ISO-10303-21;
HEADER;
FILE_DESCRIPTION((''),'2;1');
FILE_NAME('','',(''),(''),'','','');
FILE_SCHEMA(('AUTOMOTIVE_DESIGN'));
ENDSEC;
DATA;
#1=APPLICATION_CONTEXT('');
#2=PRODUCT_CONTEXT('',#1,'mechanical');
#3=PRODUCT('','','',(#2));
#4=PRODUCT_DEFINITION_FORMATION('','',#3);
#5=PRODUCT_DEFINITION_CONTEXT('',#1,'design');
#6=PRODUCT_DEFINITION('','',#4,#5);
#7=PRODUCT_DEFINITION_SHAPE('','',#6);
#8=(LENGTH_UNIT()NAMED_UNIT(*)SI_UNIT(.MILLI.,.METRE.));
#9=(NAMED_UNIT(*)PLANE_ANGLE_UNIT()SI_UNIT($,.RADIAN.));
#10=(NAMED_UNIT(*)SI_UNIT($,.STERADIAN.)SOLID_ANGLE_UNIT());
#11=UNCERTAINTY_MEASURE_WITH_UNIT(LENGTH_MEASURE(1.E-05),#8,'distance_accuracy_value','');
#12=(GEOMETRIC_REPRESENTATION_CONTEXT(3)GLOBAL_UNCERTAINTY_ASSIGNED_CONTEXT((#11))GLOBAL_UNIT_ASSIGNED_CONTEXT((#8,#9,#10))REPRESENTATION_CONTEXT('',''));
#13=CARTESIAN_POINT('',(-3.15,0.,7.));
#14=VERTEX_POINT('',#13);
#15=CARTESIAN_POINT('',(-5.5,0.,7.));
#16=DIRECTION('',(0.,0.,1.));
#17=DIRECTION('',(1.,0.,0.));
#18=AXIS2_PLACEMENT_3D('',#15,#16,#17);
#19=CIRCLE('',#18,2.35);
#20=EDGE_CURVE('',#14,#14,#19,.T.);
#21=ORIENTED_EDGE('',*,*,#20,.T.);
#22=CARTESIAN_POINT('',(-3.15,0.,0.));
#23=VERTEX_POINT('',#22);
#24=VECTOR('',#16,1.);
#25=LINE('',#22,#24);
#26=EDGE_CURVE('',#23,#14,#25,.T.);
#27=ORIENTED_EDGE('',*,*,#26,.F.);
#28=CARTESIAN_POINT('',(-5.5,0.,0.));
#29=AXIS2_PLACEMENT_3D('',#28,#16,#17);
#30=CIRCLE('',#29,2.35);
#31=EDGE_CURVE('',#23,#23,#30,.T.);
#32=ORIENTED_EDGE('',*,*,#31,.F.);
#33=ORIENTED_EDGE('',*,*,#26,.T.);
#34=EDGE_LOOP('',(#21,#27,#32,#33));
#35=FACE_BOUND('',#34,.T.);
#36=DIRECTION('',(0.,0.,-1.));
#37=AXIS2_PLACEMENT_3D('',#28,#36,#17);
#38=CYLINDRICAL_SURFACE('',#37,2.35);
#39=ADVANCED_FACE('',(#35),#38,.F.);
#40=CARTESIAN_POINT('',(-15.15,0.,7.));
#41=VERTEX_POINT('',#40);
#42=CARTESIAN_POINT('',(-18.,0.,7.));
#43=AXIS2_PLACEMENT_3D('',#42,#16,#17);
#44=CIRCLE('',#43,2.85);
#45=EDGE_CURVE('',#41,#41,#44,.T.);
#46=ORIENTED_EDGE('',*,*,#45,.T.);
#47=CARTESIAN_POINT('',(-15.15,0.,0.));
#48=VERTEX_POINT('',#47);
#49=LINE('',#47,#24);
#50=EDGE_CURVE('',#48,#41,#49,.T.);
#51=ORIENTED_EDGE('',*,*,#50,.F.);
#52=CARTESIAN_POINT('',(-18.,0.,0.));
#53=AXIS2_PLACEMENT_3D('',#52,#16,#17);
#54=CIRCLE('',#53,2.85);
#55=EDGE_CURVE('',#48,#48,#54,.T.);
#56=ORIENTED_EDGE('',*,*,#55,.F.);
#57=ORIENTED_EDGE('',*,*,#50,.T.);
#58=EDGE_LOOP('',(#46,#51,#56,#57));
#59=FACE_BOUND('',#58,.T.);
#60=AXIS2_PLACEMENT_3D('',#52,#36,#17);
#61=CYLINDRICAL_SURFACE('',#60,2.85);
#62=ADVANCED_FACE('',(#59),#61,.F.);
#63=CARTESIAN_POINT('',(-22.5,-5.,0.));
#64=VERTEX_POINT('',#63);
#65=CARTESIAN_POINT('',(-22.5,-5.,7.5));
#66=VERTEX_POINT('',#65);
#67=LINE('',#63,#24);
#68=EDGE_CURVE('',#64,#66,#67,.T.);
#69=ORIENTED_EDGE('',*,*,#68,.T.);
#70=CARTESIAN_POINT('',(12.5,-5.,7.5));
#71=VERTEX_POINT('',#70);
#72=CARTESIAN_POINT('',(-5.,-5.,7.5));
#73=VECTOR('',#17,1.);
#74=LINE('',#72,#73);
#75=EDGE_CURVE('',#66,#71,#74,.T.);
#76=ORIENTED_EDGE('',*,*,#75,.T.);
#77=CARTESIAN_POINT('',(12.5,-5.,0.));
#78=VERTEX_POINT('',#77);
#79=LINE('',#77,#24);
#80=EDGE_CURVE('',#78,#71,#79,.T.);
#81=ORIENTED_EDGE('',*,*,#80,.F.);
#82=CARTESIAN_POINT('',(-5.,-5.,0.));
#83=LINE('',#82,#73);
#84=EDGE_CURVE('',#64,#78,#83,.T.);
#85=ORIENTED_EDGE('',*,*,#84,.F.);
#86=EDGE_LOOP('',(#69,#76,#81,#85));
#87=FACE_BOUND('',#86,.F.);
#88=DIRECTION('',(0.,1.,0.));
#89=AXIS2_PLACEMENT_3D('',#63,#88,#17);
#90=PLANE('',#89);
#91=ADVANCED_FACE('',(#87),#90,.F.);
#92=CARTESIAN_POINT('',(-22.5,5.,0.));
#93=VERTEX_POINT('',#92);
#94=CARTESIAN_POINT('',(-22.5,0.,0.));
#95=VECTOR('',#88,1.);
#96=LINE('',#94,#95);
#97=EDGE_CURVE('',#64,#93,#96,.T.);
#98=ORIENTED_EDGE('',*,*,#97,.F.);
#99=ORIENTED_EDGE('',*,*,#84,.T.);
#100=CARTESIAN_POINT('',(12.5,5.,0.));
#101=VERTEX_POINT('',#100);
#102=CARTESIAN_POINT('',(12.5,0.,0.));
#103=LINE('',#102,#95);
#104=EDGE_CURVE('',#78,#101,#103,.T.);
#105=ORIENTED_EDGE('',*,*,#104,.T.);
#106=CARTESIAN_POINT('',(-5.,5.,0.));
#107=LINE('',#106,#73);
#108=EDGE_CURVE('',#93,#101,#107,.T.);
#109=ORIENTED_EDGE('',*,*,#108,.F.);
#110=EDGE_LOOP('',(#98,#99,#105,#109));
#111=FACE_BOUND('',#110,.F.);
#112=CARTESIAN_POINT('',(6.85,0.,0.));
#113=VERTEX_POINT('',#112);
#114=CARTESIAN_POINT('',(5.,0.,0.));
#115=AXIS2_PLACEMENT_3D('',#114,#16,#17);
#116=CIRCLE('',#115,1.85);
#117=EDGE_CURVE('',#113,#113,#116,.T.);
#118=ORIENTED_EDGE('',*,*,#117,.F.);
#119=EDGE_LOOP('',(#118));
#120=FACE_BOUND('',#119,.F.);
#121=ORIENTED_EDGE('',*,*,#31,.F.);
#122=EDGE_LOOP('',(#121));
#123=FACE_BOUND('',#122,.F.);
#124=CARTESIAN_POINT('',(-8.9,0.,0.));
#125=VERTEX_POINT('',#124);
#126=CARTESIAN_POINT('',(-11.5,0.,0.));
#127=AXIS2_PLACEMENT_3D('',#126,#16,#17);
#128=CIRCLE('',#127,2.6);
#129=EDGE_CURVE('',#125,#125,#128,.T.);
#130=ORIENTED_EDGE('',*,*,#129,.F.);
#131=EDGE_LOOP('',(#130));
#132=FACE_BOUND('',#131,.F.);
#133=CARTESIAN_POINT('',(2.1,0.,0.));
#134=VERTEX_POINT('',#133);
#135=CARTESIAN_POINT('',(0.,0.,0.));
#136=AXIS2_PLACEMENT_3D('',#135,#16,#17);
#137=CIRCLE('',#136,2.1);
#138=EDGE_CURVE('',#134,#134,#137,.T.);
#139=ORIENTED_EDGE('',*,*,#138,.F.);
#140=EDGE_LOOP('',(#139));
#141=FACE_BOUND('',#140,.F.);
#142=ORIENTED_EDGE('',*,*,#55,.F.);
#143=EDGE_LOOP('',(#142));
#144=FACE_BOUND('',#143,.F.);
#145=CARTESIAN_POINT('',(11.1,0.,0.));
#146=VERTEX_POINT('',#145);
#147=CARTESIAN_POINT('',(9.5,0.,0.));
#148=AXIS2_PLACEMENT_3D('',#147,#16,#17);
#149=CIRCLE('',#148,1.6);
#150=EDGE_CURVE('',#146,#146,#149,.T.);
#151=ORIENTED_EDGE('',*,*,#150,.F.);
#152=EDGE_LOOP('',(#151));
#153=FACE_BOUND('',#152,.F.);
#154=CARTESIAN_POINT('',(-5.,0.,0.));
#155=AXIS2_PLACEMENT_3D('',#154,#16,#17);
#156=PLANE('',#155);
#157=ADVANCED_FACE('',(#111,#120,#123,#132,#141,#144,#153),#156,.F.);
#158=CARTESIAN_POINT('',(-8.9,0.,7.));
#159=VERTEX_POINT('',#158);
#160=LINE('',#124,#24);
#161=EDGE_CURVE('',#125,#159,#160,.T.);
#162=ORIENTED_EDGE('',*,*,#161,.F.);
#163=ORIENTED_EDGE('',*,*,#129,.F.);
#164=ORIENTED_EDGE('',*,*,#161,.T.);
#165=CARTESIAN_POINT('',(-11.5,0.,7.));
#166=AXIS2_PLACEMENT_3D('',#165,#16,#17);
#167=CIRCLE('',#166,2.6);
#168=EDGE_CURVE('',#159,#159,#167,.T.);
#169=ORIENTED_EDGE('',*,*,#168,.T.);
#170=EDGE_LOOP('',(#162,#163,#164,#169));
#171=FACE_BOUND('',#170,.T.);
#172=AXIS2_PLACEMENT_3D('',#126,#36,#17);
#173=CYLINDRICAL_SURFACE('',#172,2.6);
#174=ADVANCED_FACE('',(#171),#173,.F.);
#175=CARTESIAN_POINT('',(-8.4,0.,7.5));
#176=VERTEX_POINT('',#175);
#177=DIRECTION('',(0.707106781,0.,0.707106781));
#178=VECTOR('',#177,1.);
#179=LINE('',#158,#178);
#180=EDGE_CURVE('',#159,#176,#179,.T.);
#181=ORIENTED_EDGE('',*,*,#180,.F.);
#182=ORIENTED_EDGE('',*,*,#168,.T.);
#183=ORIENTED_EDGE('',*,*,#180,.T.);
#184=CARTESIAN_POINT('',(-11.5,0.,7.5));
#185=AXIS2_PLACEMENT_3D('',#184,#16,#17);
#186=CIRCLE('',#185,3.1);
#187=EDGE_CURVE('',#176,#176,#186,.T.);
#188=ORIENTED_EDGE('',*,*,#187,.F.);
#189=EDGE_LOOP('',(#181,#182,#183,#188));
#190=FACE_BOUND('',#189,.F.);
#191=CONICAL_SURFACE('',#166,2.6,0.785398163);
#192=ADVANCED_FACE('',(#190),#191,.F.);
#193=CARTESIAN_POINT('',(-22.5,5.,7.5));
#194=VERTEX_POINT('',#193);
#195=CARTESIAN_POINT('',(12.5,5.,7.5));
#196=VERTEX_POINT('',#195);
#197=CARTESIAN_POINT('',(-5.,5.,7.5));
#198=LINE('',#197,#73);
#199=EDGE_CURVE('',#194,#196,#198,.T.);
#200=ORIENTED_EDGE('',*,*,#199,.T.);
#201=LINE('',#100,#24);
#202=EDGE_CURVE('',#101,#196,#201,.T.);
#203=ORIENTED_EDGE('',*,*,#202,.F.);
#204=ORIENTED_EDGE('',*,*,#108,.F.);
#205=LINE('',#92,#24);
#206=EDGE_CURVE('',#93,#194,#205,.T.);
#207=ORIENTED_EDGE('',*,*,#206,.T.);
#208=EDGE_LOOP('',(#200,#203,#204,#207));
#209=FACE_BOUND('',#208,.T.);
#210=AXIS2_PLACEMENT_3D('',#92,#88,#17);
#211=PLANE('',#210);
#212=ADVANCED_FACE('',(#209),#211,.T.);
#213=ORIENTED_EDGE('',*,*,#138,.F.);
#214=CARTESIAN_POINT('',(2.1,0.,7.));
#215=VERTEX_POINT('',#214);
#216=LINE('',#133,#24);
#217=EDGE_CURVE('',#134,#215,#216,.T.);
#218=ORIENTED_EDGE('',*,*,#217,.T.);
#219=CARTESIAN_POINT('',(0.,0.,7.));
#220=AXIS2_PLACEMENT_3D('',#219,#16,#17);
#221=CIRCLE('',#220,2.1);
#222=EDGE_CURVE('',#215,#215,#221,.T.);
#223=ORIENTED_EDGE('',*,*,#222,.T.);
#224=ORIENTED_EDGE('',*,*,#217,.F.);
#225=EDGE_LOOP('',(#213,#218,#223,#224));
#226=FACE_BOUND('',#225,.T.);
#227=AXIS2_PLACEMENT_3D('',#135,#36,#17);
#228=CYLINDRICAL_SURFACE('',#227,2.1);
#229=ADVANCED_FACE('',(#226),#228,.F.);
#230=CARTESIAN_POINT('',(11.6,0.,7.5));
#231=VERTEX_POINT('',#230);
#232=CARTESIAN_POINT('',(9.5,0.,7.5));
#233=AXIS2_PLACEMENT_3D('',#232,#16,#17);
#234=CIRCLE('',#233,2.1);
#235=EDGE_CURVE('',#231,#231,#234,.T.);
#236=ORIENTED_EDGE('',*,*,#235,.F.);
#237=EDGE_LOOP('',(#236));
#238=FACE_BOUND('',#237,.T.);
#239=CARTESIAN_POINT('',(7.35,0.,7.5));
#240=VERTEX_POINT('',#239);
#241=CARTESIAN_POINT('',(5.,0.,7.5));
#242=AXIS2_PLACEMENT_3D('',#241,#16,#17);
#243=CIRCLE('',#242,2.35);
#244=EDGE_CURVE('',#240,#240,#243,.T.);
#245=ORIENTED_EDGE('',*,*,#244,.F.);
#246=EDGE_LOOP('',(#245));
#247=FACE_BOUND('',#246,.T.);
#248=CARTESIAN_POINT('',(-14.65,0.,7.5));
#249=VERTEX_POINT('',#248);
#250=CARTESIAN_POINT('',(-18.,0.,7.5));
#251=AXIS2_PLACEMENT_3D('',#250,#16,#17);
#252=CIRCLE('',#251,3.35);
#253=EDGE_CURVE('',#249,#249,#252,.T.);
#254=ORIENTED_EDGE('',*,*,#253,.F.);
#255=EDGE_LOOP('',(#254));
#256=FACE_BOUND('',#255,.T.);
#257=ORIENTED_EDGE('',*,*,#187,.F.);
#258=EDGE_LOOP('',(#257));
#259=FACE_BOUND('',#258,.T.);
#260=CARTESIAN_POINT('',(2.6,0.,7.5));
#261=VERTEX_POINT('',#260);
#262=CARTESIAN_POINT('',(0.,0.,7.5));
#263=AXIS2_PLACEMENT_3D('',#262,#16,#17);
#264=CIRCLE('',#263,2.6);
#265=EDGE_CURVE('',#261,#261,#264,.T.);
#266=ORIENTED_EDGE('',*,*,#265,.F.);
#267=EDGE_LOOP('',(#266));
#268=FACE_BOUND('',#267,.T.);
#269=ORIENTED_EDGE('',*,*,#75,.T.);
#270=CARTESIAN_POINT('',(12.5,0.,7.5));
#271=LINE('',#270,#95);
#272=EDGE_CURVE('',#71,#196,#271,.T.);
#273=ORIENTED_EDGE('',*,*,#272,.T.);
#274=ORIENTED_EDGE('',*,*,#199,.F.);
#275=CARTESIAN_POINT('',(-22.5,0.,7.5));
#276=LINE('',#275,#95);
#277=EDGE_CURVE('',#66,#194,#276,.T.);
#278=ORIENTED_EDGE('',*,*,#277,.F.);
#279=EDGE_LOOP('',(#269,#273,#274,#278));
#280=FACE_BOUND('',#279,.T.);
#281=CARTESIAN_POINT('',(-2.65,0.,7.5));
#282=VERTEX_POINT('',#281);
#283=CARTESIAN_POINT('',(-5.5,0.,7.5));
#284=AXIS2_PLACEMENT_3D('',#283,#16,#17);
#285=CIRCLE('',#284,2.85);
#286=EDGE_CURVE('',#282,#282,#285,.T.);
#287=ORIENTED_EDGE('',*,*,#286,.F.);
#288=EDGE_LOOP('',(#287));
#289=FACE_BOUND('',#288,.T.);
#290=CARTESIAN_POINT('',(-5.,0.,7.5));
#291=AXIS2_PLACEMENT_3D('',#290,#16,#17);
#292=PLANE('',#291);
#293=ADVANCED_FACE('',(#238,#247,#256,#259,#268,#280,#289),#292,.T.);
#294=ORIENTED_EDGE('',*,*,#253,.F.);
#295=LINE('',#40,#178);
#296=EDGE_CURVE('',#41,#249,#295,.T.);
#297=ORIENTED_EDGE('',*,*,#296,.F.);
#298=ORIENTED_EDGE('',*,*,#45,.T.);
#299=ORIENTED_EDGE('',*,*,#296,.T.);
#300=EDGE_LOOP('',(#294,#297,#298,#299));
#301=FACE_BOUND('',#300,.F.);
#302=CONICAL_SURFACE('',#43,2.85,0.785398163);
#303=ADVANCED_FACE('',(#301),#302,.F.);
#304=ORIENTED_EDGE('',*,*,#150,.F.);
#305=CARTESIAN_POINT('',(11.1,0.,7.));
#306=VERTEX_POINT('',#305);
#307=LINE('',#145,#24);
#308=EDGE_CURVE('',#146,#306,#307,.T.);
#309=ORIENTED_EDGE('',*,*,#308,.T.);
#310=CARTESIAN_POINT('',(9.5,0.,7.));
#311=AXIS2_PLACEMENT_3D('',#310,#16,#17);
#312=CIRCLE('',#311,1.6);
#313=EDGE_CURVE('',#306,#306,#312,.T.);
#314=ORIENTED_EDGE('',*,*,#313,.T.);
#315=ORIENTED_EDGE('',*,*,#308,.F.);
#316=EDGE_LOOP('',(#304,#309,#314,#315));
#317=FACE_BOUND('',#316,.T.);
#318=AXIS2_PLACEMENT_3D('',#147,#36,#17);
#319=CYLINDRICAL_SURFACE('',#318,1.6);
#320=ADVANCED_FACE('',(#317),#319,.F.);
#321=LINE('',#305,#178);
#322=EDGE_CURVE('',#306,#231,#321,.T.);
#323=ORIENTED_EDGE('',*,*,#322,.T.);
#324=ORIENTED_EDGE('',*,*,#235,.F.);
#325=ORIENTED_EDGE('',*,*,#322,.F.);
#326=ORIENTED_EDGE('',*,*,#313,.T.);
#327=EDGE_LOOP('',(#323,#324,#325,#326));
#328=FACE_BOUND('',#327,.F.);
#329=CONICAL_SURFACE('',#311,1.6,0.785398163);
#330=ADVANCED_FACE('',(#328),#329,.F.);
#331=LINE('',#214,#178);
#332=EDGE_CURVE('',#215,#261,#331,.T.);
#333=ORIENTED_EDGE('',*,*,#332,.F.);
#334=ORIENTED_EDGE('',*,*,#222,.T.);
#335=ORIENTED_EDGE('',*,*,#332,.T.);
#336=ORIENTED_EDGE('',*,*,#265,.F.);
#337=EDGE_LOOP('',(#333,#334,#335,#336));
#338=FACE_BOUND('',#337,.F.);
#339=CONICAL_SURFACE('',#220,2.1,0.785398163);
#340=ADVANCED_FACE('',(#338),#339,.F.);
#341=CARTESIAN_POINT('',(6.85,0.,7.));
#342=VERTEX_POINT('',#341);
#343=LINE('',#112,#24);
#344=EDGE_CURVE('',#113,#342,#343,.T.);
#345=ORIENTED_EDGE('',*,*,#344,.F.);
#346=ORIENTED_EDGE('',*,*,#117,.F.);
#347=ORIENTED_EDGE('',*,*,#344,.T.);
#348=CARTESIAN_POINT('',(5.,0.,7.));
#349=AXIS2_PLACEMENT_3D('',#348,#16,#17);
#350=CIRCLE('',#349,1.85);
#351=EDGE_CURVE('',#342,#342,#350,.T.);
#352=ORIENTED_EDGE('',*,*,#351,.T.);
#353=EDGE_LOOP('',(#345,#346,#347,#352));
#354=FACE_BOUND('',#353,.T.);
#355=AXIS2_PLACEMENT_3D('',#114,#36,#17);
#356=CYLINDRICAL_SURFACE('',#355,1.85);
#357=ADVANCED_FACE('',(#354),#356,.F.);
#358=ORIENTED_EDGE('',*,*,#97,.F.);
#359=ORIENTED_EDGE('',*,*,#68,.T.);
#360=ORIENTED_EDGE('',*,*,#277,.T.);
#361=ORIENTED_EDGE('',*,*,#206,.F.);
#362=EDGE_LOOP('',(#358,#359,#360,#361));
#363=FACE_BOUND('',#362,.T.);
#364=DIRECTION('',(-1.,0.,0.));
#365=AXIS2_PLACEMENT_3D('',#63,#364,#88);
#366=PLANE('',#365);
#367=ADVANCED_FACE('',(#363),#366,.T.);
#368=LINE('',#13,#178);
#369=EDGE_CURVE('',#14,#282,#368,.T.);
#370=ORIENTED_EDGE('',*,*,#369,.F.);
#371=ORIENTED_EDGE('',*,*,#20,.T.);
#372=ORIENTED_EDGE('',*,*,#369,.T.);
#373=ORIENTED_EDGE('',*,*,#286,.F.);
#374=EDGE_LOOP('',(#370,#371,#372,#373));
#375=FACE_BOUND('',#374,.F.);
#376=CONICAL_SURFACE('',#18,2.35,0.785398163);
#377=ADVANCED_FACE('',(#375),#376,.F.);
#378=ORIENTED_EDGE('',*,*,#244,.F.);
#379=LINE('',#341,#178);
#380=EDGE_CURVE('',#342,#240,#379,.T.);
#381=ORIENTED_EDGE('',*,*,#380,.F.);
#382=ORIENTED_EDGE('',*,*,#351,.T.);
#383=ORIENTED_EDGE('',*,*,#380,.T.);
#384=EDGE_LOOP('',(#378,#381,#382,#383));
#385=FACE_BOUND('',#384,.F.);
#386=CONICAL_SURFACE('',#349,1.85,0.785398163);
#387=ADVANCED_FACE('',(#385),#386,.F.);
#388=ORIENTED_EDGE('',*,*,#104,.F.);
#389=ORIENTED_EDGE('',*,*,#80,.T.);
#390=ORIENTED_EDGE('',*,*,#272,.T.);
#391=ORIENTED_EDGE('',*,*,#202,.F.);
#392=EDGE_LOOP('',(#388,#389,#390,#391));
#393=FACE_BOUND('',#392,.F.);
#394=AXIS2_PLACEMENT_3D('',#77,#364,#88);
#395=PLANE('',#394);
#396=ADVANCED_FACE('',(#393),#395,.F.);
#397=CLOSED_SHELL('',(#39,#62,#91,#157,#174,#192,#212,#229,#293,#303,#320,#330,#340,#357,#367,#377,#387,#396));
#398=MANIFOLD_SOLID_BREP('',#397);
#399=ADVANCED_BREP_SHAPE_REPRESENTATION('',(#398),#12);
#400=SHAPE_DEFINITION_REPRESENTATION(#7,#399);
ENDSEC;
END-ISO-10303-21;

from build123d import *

# Parameters (mm, degrees)
F0_W     = 35
F0_H     = 10
F0_R     = 2.85
F0_R_2   = 2.6
F0_R_3   = 2.35
F0_R_4   = 2.1
F0_R_5   = 1.85
F0_R_6   = 1.6
F1_DEPTH = 7.5
F2_SIZE  = 0.5


with BuildPart() as f1:
    # F0 (on Top) → F1 (new body)
    with BuildSketch(Plane.XY):
        with Locations((-5, 0)):
            Rectangle(F0_W, F0_H)
        with Locations((-18, 0)):
            Circle(F0_R, mode=Mode.SUBTRACT)
        with Locations((-11.5, 0)):
            Circle(F0_R_2, mode=Mode.SUBTRACT)
        with Locations((-5.5, 0)):
            Circle(F0_R_3, mode=Mode.SUBTRACT)
        Circle(F0_R_4, mode=Mode.SUBTRACT)
        with Locations((5, 0)):
            Circle(F0_R_5, mode=Mode.SUBTRACT)
        with Locations((9.5, 0)):
            Circle(F0_R_6, mode=Mode.SUBTRACT)
    extrude(amount=F1_DEPTH)

    # F2
    f2_edges = [f1.edges().sort_by_distance(p)[0] for p in [
        (-7.85, 0, 7.5),
        (-2.1, 0, 7.5),
        (3.15, 0, 7.5),
        (-14.1, 0, 7.5),
        (-20.85, 0, 7.5),
        (7.9, 0, 7.5),
    ]]
    chamfer(f2_edges, length=F2_SIZE)


solid = f1.part
